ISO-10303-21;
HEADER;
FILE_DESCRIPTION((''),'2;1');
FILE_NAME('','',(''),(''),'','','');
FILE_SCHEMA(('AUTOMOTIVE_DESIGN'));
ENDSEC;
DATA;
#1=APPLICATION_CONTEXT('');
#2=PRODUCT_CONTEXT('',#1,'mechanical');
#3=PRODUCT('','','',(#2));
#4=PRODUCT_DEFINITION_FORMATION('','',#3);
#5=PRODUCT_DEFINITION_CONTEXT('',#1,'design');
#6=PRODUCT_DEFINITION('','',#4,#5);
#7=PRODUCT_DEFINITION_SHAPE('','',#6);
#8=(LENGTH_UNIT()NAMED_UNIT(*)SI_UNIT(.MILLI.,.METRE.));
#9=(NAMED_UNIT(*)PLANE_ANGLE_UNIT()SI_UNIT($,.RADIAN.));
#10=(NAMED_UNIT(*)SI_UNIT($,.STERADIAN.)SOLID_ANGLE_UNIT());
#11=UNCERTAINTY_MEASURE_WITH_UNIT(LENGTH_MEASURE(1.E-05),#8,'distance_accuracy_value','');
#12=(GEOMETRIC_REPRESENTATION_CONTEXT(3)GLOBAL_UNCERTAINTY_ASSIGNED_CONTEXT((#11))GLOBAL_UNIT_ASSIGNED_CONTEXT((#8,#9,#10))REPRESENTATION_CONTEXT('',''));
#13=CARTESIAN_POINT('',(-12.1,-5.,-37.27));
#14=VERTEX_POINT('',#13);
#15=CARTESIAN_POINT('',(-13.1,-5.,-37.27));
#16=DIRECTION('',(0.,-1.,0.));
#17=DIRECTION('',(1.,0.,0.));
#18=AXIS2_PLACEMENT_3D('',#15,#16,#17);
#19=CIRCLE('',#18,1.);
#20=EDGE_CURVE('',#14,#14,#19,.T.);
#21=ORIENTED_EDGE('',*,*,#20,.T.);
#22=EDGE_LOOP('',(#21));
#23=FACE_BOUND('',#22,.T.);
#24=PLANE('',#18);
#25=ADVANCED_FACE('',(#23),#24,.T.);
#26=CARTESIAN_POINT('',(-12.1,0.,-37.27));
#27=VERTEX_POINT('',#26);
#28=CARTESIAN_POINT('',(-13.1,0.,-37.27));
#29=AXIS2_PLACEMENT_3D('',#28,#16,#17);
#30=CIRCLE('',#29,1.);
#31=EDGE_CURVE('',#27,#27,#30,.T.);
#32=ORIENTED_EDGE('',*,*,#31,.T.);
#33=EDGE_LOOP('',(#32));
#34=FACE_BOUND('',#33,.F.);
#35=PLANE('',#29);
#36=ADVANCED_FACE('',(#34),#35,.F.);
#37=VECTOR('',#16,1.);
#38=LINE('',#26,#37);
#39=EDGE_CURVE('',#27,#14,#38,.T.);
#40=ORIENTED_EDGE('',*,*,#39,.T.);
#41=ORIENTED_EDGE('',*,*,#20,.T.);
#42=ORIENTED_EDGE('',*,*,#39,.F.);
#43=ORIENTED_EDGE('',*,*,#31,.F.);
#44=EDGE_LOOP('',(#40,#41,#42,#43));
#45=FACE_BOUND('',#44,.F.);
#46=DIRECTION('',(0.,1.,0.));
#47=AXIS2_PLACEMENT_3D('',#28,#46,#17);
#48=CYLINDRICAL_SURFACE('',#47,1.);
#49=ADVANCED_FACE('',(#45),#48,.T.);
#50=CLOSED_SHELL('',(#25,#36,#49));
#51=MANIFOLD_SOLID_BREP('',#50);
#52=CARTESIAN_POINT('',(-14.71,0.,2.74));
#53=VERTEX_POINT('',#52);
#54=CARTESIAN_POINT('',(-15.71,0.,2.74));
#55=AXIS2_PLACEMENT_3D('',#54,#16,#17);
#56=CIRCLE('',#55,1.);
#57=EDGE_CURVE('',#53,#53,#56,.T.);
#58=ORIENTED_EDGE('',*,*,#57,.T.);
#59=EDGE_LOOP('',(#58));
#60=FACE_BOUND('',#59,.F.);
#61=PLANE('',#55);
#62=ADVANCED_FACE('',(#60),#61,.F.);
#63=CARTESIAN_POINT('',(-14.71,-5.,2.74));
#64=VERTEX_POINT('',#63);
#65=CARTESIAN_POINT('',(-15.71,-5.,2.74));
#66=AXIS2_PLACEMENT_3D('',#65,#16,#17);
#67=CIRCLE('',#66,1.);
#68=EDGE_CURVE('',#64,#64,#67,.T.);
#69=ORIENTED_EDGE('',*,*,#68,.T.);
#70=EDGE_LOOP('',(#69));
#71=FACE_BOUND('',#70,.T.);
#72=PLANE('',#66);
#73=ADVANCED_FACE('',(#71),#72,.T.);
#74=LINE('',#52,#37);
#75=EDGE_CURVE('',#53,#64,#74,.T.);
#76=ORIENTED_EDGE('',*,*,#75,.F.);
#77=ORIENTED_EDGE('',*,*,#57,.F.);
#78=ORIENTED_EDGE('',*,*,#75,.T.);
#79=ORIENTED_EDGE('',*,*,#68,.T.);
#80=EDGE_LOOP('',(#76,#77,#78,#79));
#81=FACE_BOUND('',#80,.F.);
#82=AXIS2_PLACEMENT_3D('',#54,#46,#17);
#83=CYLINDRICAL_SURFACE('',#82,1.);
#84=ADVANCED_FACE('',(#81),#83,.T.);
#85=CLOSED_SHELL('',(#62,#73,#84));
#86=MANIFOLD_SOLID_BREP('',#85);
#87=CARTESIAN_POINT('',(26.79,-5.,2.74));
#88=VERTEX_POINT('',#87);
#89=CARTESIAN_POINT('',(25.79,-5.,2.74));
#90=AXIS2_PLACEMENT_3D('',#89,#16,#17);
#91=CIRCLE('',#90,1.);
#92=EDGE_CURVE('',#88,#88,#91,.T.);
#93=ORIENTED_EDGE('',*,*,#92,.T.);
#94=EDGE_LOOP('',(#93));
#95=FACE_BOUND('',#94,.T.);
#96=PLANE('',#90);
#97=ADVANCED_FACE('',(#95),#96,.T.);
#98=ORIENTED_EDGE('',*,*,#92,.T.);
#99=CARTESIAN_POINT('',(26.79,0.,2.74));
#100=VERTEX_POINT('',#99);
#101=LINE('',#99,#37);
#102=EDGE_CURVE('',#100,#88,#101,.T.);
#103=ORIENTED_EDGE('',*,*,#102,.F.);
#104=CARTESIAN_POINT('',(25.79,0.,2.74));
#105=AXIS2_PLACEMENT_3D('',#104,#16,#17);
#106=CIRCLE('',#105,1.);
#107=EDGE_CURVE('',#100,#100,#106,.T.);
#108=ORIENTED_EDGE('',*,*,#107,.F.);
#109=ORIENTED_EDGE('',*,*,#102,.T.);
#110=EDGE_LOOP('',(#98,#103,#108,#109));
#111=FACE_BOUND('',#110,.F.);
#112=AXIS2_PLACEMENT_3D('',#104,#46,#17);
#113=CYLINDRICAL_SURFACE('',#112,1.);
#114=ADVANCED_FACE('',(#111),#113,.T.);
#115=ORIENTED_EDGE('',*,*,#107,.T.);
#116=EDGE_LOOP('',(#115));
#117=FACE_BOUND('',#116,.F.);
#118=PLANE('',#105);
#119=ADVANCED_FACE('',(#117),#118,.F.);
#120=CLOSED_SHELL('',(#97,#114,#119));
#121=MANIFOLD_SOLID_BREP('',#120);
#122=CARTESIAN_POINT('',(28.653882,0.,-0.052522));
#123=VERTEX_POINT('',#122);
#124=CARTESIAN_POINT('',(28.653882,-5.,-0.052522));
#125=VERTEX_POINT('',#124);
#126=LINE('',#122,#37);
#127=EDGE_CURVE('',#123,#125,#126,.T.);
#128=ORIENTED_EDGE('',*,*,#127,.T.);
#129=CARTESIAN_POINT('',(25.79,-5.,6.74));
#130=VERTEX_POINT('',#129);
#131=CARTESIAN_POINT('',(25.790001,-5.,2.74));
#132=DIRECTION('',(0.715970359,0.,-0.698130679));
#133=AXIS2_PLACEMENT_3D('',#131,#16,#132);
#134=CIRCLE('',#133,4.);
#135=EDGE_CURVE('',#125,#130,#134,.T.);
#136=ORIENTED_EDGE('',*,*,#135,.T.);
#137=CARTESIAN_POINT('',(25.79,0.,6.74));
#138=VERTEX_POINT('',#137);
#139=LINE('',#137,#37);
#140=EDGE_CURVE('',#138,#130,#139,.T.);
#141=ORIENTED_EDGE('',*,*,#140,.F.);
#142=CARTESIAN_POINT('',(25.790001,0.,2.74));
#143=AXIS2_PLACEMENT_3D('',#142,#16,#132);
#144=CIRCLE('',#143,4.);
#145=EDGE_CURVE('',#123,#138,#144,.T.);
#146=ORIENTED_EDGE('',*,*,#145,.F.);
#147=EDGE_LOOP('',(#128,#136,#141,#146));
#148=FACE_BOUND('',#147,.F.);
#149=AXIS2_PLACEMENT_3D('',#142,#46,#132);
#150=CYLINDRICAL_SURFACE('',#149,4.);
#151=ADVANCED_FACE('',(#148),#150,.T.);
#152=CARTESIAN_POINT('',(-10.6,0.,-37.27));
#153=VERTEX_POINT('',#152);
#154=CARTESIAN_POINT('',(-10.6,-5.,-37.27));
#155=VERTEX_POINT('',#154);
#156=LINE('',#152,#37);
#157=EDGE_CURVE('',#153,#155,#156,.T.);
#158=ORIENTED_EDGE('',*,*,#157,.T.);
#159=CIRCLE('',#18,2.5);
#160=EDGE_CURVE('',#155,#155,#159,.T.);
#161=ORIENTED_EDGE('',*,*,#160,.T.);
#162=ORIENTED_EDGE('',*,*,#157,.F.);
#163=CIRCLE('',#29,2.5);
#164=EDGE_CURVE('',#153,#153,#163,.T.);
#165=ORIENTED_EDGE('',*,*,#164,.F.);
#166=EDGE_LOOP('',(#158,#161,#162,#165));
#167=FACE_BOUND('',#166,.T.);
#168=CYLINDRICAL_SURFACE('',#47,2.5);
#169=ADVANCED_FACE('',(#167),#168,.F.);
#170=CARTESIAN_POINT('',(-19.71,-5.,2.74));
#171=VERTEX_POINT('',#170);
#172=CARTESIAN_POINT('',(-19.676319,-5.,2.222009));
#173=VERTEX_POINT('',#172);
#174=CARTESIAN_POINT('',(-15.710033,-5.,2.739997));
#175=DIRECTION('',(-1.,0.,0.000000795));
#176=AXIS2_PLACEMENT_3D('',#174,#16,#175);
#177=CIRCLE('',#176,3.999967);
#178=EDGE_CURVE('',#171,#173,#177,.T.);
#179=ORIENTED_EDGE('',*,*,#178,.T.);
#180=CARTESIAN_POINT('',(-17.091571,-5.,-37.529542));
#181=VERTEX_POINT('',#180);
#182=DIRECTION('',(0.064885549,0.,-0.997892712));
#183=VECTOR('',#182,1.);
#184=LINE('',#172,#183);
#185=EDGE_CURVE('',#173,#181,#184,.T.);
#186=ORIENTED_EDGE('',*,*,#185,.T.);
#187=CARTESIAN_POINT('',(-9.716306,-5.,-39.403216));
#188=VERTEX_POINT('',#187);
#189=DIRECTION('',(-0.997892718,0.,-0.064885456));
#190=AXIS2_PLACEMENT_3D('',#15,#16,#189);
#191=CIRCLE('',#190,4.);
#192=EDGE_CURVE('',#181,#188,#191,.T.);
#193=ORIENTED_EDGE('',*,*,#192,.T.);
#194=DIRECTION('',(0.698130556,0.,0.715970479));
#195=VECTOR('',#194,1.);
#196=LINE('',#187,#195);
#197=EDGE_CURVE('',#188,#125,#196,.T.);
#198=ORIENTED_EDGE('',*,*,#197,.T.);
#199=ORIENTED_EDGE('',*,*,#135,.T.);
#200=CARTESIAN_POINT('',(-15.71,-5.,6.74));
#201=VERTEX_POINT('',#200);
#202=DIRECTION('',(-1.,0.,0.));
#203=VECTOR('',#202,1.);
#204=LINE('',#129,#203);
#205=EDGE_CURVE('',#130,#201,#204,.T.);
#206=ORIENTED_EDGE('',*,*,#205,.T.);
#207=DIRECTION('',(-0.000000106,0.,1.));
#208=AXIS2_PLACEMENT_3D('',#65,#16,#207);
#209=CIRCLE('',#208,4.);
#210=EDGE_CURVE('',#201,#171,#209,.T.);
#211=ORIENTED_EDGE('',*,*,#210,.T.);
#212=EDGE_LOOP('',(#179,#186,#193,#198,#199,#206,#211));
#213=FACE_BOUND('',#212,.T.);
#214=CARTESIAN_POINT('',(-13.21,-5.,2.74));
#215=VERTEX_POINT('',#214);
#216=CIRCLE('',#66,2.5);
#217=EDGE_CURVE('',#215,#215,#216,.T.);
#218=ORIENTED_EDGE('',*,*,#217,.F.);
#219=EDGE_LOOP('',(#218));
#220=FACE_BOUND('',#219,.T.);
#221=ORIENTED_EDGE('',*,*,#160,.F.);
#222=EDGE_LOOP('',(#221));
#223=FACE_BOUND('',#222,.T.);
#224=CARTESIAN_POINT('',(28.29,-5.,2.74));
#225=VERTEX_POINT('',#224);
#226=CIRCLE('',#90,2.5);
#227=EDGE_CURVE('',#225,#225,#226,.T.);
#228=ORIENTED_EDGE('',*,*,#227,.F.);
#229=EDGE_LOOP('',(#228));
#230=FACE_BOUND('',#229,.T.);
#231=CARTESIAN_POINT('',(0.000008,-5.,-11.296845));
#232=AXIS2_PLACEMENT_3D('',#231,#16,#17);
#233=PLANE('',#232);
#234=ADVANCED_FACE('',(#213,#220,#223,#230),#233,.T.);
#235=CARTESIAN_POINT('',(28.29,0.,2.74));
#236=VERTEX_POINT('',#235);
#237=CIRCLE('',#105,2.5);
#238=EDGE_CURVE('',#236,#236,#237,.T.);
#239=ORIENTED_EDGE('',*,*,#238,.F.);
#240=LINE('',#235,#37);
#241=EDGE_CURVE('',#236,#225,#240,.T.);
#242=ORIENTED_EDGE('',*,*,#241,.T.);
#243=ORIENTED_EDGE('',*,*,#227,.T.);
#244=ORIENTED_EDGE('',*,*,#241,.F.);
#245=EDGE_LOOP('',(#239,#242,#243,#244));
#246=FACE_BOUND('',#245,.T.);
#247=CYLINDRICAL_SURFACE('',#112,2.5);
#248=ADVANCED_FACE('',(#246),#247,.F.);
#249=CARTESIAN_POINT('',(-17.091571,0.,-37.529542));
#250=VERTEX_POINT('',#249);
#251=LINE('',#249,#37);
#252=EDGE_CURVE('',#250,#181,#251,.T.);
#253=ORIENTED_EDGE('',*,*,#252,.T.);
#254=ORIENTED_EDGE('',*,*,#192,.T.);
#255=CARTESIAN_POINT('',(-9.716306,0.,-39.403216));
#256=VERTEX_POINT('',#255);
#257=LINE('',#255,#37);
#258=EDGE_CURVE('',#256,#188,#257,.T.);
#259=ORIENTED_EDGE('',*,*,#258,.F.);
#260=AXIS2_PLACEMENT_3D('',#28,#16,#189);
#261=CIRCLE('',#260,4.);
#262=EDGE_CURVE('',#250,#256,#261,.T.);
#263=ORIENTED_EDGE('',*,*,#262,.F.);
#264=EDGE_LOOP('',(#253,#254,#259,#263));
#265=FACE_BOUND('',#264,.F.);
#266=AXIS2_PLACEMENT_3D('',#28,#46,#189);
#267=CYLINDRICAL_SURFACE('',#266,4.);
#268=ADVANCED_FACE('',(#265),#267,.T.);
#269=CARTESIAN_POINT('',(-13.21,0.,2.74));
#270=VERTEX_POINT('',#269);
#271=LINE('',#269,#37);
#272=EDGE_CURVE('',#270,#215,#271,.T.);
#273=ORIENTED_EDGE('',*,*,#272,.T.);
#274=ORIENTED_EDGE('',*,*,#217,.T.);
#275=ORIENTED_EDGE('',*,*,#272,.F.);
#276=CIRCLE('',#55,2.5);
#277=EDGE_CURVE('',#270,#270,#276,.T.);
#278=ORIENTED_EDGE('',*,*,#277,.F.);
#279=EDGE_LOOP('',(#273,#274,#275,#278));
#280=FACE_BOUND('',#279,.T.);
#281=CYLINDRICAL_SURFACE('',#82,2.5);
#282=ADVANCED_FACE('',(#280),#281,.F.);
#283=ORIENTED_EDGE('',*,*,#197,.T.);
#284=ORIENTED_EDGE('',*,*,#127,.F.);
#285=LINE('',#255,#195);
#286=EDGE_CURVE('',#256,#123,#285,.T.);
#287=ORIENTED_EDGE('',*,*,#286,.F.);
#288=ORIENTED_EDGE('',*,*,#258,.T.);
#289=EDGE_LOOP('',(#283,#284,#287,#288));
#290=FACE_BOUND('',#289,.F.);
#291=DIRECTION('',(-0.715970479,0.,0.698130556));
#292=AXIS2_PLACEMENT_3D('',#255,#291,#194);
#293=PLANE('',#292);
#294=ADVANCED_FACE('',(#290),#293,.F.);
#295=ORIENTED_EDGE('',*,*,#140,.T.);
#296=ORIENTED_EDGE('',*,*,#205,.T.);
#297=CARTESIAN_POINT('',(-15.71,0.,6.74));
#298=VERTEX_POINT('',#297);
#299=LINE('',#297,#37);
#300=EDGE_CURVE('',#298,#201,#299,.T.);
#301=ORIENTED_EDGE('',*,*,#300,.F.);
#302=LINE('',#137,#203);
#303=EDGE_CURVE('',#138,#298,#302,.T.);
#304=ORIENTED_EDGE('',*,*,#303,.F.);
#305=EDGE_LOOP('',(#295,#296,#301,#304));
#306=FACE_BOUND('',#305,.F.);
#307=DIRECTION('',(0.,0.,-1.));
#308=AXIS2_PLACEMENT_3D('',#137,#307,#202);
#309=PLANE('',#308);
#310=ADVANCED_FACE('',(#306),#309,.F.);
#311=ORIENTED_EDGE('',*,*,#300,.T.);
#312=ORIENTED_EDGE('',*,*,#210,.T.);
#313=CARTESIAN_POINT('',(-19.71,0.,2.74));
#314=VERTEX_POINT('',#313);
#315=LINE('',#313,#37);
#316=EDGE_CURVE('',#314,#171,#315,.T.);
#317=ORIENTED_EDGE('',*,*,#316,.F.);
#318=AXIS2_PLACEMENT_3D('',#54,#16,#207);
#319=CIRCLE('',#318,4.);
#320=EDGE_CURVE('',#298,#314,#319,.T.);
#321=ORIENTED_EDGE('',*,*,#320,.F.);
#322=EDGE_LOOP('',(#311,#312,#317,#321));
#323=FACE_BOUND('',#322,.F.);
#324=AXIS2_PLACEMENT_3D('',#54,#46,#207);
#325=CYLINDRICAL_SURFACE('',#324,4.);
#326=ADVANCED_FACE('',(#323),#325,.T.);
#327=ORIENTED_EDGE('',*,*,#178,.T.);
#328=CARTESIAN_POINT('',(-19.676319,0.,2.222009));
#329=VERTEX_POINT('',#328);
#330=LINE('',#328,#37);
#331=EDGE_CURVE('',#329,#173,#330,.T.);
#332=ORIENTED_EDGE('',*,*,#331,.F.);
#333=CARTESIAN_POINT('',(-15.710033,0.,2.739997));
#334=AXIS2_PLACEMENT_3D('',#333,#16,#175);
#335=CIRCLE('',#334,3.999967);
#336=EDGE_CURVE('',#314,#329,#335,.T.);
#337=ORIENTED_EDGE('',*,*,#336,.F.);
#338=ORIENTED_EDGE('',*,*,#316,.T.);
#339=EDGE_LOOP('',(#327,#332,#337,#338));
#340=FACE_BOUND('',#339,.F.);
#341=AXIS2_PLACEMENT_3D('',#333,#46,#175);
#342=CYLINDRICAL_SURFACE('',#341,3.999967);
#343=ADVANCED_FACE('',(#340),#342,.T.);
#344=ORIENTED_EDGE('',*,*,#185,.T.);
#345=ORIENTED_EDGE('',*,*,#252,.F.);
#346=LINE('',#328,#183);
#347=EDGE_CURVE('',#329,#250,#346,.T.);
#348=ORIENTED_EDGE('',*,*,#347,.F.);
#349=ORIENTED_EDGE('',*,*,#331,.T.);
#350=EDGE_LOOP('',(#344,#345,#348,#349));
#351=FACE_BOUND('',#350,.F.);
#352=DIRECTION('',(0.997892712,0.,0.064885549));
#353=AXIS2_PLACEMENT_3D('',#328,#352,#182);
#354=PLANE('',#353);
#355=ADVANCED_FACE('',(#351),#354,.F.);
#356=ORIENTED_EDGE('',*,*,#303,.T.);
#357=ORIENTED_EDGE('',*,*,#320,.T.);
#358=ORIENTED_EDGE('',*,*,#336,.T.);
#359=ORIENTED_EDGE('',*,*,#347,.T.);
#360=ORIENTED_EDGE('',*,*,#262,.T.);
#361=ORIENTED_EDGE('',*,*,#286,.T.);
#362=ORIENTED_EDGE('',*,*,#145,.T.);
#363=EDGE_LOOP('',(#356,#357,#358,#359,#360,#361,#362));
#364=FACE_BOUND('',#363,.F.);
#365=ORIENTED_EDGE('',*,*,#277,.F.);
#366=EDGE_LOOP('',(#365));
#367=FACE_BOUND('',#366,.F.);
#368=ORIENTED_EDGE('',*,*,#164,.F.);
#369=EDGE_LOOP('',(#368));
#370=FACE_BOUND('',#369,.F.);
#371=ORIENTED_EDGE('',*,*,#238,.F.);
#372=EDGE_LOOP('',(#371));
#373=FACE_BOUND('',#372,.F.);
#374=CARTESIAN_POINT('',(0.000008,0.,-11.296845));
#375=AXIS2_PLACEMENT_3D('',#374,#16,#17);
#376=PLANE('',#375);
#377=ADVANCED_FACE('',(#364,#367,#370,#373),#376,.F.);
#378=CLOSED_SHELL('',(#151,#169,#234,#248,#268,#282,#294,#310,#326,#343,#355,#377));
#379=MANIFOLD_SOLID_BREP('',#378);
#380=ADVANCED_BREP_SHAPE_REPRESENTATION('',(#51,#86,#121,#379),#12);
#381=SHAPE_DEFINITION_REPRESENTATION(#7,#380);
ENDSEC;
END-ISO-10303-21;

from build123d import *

# Parameters (mm, degrees)
F0_R     = 2.5
F0_R_2   = 1
F1_DEPTH = 5


with BuildPart() as f1:
    # F0 (on Front) → F1 (new body)
    with BuildSketch(Plane.XZ):
        with BuildLine():
            Line((-9.716306, -39.403216), (28.653882, -0.052522))
            ThreePointArc((28.653882, -0.052522), (29.47579, 4.294013), (25.79, 6.74))
            Line((25.79, 6.74), (-15.71, 6.74))
            ThreePointArc((-15.71, 6.74), (-18.538427, 5.568427), (-19.71, 2.74))
            Line((-19.71, 2.74), (-19.676319, 2.222009))
            Line((-19.676319, 2.222009), (-17.091571, -37.529542))
            ThreePointArc((-17.091571, -37.529542), (-14.084907, -41.146849), (-9.716306, -39.403216))
        make_face()
        with Locations((-13.1, -37.27)):
            Circle(F0_R, mode=Mode.SUBTRACT)
        with Locations((-15.71, 2.74)):
            Circle(F0_R, mode=Mode.SUBTRACT)
        with Locations((25.79, 2.74)):
            Circle(F0_R, mode=Mode.SUBTRACT)
        with BuildLine():
            Line((-19.676319, 2.222009), (-19.71, 2.74))
            ThreePointArc((-19.71, 2.74), (-19.701571, 2.480458), (-19.676319, 2.222009))
        make_face()
        with Locations((-15.71, 2.74)):
            Circle(F0_R_2)
        with Locations((25.79, 2.74)):
            Circle(F0_R_2)
        with Locations((-13.1, -37.27)):
            Circle(F0_R_2)
    extrude(amount=F1_DEPTH)


solid = f1.part
